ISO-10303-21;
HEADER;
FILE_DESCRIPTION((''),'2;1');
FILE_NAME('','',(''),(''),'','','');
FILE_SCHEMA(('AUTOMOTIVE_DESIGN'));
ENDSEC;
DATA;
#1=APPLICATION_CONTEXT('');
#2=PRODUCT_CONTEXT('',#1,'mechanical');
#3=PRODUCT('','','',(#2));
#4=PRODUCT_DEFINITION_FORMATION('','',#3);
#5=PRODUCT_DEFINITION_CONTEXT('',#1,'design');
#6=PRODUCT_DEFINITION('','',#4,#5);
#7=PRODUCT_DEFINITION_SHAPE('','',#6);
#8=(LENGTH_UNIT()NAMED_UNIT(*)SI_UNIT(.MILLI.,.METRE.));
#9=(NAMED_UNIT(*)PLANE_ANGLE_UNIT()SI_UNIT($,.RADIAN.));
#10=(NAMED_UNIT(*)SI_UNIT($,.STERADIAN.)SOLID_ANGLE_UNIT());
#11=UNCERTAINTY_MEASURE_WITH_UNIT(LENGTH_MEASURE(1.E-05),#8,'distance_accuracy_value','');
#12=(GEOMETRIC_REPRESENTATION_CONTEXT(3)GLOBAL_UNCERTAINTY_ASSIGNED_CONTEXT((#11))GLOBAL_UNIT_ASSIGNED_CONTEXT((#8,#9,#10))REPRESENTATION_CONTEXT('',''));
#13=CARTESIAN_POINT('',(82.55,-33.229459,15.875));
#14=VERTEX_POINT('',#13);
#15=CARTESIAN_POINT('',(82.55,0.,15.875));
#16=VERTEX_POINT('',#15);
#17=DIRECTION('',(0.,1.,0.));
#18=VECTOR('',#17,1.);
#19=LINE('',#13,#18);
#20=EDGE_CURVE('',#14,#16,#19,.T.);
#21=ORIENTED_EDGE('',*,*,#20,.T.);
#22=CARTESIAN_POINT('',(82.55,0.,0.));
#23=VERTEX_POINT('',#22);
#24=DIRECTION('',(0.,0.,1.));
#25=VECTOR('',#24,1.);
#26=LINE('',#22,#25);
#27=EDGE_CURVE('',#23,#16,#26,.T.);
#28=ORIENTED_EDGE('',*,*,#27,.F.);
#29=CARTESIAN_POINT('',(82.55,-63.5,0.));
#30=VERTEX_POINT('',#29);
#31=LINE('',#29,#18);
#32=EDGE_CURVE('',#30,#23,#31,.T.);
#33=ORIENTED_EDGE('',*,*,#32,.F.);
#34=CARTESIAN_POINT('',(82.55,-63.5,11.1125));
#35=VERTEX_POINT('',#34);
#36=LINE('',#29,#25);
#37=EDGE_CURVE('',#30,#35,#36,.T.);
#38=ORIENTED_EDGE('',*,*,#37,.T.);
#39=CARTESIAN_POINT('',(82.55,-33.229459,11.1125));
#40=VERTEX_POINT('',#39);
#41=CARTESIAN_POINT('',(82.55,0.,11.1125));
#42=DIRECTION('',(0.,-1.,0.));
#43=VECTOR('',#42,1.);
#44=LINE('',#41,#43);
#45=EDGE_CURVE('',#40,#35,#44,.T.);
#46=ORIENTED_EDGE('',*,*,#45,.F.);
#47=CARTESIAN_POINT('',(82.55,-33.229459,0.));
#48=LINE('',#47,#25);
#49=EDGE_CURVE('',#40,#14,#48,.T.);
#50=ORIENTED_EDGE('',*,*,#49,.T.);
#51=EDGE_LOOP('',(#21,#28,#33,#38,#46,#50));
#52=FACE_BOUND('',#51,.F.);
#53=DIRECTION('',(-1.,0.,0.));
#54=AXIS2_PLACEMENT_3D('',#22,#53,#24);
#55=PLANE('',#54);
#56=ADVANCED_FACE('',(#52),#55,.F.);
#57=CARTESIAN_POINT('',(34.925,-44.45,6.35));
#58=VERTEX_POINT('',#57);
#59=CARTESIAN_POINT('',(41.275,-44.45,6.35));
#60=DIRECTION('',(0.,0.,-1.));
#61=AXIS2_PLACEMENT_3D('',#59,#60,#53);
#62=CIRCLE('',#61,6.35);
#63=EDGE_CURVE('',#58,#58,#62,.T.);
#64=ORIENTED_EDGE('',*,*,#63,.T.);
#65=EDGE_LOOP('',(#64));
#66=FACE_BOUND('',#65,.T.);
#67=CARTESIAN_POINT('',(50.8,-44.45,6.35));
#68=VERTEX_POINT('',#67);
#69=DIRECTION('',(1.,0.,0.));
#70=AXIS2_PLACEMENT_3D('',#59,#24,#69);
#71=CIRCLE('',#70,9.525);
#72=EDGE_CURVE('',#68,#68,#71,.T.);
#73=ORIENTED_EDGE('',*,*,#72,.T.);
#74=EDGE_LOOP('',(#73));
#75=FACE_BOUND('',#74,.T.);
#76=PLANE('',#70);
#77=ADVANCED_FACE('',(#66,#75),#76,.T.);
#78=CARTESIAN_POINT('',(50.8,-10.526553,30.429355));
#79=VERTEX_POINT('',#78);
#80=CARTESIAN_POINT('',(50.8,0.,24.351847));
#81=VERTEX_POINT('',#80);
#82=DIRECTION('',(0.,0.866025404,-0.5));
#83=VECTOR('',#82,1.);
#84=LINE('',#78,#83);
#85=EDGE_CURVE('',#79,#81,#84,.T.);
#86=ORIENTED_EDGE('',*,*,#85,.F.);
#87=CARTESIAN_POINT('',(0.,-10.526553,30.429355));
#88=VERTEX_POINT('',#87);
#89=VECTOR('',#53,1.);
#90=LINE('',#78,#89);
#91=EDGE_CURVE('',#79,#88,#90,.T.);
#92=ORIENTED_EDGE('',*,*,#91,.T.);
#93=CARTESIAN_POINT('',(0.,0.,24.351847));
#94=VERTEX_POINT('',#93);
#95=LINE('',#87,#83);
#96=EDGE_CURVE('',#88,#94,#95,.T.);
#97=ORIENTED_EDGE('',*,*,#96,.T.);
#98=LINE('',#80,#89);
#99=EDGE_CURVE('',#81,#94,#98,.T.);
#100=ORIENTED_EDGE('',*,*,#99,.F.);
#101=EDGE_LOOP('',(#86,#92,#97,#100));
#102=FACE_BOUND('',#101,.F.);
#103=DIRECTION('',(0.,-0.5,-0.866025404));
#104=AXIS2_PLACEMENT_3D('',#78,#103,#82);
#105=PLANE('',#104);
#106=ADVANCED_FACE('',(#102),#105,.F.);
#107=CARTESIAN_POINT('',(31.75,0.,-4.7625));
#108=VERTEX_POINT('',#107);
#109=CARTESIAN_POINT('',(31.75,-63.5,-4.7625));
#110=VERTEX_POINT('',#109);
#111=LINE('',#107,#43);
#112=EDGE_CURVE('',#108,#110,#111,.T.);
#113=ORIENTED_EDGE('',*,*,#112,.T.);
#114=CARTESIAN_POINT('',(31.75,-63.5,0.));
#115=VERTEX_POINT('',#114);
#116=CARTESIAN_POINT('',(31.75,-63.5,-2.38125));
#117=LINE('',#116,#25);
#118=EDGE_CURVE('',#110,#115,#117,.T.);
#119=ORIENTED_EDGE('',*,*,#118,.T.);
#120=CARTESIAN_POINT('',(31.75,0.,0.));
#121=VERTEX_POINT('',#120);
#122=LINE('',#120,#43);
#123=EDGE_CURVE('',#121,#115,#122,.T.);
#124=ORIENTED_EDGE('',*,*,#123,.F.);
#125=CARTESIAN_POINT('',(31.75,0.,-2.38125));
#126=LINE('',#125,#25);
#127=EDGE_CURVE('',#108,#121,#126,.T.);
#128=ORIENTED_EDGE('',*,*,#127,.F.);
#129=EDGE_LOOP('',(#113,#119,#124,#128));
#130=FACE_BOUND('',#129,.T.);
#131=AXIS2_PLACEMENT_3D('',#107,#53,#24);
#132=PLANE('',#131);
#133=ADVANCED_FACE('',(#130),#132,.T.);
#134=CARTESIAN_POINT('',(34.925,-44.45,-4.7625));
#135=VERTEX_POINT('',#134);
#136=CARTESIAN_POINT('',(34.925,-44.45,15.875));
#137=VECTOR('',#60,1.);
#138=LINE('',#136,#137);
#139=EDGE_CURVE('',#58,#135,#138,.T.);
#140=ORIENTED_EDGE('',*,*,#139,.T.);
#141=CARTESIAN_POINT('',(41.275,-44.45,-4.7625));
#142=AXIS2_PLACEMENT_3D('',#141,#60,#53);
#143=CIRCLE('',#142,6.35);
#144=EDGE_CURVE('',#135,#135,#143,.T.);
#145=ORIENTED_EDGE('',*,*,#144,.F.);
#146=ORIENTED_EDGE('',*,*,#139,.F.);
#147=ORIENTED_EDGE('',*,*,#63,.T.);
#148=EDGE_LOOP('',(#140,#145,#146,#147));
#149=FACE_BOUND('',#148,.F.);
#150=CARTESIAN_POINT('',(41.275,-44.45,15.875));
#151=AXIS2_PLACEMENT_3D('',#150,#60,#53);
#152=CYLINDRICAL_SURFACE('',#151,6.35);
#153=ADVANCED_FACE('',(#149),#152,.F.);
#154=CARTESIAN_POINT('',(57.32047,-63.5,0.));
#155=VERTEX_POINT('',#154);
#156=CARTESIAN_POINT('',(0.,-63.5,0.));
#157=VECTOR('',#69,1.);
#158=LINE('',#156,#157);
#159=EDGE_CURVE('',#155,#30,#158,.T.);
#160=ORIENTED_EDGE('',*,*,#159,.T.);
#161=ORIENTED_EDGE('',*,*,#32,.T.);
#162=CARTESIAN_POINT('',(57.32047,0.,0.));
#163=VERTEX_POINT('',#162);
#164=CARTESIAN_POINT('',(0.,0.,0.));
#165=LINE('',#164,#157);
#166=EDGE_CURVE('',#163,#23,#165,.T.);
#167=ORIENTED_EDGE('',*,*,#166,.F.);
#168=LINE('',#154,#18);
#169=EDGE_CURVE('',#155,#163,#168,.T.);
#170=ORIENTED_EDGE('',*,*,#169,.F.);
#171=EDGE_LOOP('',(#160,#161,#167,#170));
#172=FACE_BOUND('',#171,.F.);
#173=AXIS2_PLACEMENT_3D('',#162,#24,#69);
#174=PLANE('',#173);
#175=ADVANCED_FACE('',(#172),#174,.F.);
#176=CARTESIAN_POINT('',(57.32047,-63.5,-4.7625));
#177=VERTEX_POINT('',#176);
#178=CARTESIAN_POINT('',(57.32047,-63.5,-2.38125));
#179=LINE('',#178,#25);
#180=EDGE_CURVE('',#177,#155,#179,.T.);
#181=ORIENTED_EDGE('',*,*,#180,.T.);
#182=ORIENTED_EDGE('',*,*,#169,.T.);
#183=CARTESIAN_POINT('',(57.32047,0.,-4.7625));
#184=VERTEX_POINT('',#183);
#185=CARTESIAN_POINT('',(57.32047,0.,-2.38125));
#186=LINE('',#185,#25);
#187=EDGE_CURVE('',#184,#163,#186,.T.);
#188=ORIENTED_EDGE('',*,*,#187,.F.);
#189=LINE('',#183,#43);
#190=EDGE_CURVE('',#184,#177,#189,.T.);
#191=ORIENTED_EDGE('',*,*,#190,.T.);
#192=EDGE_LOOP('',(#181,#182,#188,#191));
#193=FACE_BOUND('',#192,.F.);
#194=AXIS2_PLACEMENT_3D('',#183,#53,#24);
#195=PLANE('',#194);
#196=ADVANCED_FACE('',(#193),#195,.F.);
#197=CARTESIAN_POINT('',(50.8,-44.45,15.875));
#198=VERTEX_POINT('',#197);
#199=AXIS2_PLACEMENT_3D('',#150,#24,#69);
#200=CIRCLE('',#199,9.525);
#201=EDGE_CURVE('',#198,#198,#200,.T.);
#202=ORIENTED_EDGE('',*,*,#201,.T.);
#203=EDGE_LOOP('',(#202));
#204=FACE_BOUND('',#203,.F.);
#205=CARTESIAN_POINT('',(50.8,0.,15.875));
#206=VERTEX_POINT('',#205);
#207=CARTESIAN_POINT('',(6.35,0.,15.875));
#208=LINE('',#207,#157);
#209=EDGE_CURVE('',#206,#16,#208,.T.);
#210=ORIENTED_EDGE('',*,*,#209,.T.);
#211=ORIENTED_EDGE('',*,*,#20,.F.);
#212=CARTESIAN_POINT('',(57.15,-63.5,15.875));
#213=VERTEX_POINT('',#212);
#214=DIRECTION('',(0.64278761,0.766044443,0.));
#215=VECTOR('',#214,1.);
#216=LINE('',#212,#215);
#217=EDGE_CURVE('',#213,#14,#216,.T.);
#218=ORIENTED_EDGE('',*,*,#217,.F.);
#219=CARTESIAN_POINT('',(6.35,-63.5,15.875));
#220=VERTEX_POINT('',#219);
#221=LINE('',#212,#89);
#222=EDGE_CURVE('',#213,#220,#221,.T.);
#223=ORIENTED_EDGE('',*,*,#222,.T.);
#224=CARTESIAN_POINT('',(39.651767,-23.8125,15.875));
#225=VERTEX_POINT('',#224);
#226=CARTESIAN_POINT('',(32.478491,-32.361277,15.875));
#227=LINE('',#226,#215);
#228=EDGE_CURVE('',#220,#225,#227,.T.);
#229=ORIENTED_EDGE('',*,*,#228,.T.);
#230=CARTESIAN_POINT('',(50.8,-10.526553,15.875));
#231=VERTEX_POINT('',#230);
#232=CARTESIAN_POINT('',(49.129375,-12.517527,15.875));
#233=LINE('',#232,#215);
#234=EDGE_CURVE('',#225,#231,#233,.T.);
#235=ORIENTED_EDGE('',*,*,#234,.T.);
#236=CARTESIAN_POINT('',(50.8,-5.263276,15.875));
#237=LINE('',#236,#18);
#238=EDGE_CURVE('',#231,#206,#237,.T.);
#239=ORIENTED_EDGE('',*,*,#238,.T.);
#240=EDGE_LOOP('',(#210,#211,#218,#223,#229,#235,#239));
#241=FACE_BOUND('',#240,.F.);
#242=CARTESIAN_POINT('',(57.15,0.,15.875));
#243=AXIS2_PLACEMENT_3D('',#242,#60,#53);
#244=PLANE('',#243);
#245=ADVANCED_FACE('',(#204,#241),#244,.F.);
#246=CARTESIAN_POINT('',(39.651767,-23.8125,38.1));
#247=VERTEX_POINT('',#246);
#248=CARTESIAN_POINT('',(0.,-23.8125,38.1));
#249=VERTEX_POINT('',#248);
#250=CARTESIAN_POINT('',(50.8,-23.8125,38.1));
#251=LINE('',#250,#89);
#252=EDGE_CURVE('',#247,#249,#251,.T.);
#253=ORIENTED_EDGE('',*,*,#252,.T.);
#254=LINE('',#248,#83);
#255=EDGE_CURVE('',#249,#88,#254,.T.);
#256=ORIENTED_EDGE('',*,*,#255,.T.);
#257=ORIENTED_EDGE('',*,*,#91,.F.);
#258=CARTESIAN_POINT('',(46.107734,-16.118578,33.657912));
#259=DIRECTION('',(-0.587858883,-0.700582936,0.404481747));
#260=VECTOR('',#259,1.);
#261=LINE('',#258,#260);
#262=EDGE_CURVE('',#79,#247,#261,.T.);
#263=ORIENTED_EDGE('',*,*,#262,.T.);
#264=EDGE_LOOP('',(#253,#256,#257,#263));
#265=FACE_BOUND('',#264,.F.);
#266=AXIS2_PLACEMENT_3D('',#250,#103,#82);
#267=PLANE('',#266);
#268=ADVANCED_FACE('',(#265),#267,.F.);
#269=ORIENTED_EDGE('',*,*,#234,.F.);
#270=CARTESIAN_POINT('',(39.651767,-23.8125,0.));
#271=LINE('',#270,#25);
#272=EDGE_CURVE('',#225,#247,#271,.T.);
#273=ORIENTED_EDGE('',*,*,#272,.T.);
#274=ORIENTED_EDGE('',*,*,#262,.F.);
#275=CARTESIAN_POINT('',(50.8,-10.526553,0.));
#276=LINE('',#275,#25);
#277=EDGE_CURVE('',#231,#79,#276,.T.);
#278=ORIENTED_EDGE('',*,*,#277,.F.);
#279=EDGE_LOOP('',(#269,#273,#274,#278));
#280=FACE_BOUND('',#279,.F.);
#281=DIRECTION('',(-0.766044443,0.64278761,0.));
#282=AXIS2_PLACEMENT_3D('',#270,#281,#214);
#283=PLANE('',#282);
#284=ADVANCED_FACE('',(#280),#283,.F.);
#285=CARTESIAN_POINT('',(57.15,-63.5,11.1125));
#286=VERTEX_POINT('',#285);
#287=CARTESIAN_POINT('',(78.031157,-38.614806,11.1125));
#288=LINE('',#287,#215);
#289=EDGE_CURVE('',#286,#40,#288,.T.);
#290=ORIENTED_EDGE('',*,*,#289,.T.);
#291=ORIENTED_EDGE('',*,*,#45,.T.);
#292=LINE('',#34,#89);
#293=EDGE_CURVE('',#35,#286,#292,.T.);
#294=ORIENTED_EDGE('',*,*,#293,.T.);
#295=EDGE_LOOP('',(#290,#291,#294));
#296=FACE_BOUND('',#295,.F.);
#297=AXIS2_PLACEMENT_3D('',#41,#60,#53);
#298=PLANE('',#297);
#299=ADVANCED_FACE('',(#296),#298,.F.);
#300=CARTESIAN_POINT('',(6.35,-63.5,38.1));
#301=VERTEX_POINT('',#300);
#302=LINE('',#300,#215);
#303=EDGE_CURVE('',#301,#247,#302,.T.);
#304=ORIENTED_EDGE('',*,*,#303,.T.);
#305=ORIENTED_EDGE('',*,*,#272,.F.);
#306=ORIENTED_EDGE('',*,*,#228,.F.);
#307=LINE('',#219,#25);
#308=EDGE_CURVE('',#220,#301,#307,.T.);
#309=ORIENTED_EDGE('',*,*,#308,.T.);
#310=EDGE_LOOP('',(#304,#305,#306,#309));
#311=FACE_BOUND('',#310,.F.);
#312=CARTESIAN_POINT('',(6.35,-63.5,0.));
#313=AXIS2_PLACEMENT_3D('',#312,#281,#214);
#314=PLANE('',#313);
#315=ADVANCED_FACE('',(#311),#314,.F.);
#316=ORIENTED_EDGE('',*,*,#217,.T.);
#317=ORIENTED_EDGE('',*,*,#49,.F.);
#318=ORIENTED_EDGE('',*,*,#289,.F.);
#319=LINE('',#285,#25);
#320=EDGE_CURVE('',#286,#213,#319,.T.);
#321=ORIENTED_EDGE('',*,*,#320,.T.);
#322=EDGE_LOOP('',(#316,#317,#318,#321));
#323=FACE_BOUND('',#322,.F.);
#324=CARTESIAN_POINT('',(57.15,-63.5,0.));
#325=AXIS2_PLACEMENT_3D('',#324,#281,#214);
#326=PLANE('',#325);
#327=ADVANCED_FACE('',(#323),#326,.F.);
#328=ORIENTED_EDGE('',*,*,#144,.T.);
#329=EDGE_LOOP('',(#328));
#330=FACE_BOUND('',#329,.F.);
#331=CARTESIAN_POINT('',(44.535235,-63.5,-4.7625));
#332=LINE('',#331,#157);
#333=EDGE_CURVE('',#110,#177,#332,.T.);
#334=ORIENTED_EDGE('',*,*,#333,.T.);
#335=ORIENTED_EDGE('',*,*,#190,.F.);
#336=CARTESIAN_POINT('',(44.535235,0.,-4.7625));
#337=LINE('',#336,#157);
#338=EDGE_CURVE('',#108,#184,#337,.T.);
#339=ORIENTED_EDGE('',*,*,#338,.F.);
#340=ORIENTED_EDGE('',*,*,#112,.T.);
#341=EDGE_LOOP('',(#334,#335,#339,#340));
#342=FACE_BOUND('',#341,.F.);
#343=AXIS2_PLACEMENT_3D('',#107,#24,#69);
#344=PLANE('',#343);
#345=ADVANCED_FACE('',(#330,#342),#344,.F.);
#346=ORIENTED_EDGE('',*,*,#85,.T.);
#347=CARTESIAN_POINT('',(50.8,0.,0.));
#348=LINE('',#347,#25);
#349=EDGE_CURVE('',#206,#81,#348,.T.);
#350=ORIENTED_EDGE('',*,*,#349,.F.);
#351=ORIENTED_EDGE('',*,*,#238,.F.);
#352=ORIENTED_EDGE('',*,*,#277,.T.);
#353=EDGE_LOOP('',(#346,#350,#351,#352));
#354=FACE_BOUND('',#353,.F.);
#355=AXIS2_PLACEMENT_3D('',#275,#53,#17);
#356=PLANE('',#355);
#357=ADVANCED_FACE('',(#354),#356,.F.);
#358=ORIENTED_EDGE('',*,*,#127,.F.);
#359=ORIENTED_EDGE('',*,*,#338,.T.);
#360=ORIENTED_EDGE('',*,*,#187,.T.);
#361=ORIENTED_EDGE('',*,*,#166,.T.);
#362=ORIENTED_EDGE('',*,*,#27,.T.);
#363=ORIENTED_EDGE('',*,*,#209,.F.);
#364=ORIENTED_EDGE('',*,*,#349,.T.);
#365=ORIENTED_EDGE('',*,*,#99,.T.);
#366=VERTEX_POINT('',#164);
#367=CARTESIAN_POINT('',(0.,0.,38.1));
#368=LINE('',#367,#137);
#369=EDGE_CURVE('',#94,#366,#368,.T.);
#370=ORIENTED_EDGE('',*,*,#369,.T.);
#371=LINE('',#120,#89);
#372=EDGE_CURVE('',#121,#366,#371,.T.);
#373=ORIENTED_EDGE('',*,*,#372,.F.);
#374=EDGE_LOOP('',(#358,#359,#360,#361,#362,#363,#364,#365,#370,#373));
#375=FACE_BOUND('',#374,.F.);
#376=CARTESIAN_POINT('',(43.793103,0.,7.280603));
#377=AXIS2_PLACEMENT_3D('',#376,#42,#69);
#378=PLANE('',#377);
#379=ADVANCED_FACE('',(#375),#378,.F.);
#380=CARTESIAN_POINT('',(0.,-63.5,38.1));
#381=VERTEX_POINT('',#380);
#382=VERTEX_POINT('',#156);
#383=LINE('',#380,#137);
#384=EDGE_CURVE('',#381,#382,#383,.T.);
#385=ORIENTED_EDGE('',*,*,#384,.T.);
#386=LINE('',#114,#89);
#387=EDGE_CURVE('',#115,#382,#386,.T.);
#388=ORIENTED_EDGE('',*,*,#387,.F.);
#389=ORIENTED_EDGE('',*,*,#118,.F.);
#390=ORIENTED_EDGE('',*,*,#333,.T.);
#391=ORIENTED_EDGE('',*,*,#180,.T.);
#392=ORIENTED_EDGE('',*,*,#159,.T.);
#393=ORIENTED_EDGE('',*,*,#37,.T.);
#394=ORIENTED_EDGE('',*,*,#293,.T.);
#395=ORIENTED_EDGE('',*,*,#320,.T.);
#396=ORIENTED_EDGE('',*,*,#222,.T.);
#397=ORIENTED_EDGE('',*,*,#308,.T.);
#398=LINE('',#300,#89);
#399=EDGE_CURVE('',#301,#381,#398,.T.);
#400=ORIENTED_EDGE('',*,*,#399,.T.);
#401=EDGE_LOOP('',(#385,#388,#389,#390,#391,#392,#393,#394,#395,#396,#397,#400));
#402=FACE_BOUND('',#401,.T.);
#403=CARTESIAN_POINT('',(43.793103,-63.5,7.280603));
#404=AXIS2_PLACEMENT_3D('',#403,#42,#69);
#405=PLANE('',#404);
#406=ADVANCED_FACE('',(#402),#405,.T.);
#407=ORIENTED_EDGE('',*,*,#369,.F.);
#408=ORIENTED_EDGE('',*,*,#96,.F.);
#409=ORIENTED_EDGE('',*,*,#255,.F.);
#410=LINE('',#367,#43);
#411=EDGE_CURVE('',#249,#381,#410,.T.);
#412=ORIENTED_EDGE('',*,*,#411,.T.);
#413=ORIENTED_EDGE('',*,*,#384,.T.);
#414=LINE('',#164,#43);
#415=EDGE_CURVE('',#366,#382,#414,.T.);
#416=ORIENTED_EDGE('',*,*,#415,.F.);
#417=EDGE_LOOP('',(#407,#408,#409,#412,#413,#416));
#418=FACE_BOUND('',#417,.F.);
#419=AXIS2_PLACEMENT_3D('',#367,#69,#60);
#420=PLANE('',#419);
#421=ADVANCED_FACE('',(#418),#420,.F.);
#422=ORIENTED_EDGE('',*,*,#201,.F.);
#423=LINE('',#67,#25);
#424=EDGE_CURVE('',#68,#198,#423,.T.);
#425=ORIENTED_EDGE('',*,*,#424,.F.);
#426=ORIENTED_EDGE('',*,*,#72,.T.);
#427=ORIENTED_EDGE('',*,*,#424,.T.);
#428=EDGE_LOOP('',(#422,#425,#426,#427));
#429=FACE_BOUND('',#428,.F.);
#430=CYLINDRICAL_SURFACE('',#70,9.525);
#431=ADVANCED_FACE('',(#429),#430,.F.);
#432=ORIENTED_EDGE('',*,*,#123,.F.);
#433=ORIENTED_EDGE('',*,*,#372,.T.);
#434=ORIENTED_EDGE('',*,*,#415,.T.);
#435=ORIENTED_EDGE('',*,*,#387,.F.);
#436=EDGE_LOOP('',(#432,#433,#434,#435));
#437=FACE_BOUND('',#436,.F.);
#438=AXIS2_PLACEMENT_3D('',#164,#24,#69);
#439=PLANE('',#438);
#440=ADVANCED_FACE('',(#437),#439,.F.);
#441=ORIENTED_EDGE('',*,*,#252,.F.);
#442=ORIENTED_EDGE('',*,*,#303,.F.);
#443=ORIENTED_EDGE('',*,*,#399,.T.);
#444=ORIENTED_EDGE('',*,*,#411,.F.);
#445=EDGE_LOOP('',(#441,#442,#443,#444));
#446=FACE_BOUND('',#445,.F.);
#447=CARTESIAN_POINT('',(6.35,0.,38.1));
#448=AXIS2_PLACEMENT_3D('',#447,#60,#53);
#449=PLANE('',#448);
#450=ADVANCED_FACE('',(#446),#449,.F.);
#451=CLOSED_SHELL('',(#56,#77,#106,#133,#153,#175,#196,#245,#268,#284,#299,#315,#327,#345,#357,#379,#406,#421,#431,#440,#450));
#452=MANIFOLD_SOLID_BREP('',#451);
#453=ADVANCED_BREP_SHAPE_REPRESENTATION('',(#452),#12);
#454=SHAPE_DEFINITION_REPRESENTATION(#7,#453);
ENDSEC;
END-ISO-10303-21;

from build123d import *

# Parameters (mm, degrees)
F0_W           = 25.5704697987
F0_H           = 4.7625
F1_DEPTH       = 63.5
F3_DEPTH       = 15.875
F2_W           = 33.3017666123
F2_H           = 23.8125
F4_DEPTH       = 38.1
F6_D           = 12.7
F6_CBORE_D     = 19.05
F6_CBORE_DEPTH = 9.525
F8_DEPTH       = 50.8


with BuildPart() as f1:
    # F0 (on Front) → F1 (new body)
    with BuildSketch(Plane.XZ):
        Polygon((6.35, 15.875), (6.35, 0), (31.75, 0), (57.3204697987, 0), (82.55, 0), (82.55, 11.1125), (57.15, 11.1125), (57.15, 15.875), align=None)
        Polygon((0, 38.1), (0, 0), (6.35, 0), (6.35, 15.875), (6.35, 38.1), align=None)
        with Locations((44.5352348993, -2.38125)):
            Rectangle(F0_W, F0_H)
    extrude(amount=F1_DEPTH)

    # F2 (on Top) → F3 (join)
    with BuildSketch(Plane.XY):
        Polygon((82.55, -33.2294587481), (82.55, 0), (50.8, 0), (50.8, -10.5265528092), (39.6517666123, -23.8125), (6.35, -63.5), (41.275, -63.5), (57.15, -63.5), align=None)
    extrude(amount=F3_DEPTH)

    # F2 (on Top) → F4 (join)
    with BuildSketch(Plane.XY):
        with Locations((23.0008833062, -11.90625)):
            Rectangle(F2_W, F2_H)
        Polygon((50.8, -10.5265528092), (50.8, 0), (39.6517666123, 0), (39.6517666123, -23.8125), align=None)
        Polygon((6.35, -63.5), (39.6517666123, -23.8125), (6.35, -23.8125), align=None)
    extrude(amount=F4_DEPTH)

    # F6 (through all)
    with Locations(Plane.XY.offset(15.875)):
        with Locations((41.275, -44.45)):
            CounterBoreHole(F6_D / 2, F6_CBORE_D / 2, F6_CBORE_DEPTH)

    # F7 (on face) → F8 (cut)
    with BuildSketch(Plane.YZ.offset(50.8)):
        Polygon((-10.5265528092, 30.4293548129), (-10.5265528092, 38.1), (-23.8125, 38.1), align=None)
        Polygon((0, 24.3518467149), (0, 38.1), (-10.5265528092, 38.1), (-10.5265528092, 30.4293548129), align=None)
    extrude(amount=-F8_DEPTH, mode=Mode.SUBTRACT)


solid = f1.part
